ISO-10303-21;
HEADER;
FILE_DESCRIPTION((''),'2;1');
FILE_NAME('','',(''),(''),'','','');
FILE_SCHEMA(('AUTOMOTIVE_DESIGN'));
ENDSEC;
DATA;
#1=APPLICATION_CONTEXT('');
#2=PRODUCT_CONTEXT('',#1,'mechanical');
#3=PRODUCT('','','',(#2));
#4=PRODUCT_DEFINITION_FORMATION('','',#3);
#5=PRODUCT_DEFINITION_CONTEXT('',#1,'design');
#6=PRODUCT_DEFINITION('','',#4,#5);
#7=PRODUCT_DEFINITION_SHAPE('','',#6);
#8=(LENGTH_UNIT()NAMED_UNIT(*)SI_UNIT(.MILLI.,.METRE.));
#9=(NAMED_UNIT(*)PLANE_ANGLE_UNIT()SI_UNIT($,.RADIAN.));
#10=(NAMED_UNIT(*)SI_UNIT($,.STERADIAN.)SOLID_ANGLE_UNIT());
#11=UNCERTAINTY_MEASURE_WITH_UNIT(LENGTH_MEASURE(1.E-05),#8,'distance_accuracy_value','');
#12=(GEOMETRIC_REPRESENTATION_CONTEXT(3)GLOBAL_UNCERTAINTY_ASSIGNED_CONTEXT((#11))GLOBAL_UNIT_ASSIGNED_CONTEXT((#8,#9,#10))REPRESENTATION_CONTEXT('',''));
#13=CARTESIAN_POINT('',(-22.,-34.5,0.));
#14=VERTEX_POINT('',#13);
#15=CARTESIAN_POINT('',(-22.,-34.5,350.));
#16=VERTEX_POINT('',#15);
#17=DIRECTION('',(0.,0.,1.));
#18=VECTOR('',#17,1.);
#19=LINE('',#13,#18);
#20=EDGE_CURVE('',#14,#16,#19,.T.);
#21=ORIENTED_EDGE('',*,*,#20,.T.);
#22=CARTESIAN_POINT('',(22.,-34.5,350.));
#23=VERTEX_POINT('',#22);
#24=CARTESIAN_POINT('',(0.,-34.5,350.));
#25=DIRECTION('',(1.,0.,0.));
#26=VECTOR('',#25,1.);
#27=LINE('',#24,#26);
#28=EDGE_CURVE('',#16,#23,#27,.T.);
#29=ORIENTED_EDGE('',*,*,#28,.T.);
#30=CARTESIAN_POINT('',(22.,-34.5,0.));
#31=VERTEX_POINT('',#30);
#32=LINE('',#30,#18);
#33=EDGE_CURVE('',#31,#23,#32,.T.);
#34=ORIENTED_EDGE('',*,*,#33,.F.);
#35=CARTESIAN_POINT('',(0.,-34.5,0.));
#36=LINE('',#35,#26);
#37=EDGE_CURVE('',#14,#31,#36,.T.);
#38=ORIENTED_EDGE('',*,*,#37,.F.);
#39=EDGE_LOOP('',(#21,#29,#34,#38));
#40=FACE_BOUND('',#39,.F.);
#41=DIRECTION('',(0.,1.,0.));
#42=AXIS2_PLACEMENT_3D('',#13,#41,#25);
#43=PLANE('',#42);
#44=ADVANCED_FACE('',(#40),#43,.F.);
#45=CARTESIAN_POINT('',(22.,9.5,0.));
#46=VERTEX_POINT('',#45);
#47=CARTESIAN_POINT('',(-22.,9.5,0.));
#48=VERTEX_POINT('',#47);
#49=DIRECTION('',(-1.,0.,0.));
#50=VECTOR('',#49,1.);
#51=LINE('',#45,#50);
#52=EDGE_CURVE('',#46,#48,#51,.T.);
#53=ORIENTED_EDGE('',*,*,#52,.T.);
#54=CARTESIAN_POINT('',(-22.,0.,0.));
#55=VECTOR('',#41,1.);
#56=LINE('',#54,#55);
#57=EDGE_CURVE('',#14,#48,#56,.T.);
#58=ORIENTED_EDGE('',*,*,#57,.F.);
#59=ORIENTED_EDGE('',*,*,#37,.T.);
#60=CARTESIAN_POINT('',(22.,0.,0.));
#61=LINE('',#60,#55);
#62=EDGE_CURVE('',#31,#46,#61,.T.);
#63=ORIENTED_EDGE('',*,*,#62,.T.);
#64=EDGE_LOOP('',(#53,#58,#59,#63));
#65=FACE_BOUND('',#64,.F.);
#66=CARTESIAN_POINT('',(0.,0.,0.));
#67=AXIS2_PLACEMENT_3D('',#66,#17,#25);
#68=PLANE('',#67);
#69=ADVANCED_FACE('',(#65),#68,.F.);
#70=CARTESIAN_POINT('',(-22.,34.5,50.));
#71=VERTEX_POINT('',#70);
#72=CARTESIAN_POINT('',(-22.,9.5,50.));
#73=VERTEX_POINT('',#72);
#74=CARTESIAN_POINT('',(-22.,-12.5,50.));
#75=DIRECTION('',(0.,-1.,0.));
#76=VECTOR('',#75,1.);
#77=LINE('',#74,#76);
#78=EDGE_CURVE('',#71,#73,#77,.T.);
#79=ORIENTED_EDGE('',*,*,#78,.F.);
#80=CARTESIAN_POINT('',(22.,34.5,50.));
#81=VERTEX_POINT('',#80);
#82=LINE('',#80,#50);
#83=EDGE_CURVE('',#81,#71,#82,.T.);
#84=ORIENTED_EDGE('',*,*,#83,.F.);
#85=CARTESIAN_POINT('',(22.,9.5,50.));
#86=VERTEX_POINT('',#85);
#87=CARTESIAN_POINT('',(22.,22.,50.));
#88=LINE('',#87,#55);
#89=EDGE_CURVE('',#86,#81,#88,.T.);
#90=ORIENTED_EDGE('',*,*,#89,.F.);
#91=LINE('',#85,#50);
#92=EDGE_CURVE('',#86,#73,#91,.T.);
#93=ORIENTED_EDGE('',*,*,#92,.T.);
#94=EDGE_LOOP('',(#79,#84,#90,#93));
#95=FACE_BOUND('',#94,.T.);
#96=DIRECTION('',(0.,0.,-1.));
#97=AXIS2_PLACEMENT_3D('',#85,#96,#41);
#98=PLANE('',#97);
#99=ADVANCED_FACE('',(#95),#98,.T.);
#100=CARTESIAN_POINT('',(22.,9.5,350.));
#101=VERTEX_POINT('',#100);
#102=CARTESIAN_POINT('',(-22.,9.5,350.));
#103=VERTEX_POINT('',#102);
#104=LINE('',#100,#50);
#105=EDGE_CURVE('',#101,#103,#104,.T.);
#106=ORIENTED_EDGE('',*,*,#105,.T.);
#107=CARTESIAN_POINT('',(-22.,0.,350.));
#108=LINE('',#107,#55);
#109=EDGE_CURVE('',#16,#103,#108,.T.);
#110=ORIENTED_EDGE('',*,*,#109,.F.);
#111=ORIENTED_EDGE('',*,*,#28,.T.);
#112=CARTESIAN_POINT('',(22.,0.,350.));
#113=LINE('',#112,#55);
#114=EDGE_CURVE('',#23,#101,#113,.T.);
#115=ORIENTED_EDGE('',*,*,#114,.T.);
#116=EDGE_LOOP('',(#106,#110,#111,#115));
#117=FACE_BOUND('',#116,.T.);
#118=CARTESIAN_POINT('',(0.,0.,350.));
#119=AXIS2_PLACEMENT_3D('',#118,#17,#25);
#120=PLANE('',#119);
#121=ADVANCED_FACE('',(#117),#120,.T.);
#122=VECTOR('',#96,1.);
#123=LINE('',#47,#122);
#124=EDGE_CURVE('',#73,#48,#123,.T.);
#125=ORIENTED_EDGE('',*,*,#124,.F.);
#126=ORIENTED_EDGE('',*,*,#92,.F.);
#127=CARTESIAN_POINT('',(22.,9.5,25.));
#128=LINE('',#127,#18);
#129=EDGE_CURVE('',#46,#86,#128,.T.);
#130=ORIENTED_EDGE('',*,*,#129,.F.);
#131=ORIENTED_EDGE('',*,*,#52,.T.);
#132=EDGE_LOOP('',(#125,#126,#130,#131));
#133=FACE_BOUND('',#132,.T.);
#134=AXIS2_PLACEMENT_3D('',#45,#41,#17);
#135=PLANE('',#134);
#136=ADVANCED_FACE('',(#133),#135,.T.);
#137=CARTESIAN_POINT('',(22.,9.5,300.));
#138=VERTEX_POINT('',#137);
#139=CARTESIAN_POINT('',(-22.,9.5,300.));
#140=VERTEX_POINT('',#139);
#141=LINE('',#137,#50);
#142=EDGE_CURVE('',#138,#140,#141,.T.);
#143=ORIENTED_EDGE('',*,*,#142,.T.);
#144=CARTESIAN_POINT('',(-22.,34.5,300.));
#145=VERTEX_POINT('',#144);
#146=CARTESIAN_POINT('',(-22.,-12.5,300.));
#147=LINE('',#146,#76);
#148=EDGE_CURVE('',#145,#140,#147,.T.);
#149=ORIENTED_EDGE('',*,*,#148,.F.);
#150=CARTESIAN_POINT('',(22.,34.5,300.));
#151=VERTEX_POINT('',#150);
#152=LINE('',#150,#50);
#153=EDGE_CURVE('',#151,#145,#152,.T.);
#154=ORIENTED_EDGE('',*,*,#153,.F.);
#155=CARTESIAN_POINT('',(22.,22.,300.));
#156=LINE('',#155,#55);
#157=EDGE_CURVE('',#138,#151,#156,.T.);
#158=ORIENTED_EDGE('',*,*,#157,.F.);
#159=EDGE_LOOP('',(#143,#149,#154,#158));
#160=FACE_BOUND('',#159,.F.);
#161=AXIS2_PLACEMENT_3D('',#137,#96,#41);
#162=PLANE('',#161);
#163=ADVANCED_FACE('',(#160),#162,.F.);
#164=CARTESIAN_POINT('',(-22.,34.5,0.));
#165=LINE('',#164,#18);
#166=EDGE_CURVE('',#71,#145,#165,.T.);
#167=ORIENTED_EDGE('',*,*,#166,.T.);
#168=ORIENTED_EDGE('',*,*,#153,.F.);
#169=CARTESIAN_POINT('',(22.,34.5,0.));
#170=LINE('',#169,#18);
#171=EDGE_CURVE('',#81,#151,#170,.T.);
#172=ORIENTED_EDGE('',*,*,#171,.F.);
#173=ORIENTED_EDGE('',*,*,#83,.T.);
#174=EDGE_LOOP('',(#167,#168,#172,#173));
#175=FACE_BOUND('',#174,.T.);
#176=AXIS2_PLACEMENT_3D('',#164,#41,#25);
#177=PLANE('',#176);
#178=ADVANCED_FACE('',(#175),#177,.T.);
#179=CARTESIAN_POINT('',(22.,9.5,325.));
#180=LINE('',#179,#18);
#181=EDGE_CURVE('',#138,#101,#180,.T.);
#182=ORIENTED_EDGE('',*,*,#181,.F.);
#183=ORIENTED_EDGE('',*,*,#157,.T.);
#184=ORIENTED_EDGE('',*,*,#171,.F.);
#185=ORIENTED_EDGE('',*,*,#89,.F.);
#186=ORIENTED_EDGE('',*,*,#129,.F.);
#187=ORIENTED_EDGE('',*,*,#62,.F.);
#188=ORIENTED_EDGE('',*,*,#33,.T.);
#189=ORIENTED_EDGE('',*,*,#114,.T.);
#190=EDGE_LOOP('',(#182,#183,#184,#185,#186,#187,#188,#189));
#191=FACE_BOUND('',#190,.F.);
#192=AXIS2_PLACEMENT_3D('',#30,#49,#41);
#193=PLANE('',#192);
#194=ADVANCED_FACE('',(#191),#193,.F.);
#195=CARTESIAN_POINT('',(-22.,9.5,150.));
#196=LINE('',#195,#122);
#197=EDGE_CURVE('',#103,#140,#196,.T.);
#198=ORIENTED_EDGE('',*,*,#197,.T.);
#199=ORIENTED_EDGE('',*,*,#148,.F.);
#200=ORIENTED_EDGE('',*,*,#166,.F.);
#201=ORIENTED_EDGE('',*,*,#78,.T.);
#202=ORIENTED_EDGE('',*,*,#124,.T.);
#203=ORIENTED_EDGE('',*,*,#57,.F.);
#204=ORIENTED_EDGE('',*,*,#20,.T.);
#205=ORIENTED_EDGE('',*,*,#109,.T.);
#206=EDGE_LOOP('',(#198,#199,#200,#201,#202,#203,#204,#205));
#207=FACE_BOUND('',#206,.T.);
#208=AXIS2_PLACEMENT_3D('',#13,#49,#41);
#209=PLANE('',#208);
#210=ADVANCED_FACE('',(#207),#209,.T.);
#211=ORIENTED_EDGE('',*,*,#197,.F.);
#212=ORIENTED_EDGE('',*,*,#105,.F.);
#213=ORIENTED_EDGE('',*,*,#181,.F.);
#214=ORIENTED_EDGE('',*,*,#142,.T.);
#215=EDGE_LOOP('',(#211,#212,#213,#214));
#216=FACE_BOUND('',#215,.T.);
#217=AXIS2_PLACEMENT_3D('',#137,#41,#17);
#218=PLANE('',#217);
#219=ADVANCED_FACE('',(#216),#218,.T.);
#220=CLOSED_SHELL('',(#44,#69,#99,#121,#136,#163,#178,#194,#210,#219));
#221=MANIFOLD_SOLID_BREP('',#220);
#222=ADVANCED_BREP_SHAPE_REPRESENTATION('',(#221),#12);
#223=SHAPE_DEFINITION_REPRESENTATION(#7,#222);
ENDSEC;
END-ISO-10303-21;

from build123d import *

# Parameters (mm, degrees)
F0_W     = 44
F0_H     = 69
F1_DEPTH = 350
F2_W     = 25
F2_H     = 50
F3_DEPTH = 44.001


with BuildPart() as f1:
    # F0 (on Top) → F1 (new body)
    with BuildSketch(Plane.XY):
        Rectangle(F0_W, F0_H)
    extrude(amount=F1_DEPTH)

    # F2 (on face) → F3 (cut, through all)
    with BuildSketch(Plane.YZ.offset(22)):
        with Locations((22, 25)):
            Rectangle(F2_W, F2_H)
        with Locations((22, 325)):
            Rectangle(F2_W, F2_H)
    extrude(amount=-F3_DEPTH, mode=Mode.SUBTRACT)


solid = f1.part
